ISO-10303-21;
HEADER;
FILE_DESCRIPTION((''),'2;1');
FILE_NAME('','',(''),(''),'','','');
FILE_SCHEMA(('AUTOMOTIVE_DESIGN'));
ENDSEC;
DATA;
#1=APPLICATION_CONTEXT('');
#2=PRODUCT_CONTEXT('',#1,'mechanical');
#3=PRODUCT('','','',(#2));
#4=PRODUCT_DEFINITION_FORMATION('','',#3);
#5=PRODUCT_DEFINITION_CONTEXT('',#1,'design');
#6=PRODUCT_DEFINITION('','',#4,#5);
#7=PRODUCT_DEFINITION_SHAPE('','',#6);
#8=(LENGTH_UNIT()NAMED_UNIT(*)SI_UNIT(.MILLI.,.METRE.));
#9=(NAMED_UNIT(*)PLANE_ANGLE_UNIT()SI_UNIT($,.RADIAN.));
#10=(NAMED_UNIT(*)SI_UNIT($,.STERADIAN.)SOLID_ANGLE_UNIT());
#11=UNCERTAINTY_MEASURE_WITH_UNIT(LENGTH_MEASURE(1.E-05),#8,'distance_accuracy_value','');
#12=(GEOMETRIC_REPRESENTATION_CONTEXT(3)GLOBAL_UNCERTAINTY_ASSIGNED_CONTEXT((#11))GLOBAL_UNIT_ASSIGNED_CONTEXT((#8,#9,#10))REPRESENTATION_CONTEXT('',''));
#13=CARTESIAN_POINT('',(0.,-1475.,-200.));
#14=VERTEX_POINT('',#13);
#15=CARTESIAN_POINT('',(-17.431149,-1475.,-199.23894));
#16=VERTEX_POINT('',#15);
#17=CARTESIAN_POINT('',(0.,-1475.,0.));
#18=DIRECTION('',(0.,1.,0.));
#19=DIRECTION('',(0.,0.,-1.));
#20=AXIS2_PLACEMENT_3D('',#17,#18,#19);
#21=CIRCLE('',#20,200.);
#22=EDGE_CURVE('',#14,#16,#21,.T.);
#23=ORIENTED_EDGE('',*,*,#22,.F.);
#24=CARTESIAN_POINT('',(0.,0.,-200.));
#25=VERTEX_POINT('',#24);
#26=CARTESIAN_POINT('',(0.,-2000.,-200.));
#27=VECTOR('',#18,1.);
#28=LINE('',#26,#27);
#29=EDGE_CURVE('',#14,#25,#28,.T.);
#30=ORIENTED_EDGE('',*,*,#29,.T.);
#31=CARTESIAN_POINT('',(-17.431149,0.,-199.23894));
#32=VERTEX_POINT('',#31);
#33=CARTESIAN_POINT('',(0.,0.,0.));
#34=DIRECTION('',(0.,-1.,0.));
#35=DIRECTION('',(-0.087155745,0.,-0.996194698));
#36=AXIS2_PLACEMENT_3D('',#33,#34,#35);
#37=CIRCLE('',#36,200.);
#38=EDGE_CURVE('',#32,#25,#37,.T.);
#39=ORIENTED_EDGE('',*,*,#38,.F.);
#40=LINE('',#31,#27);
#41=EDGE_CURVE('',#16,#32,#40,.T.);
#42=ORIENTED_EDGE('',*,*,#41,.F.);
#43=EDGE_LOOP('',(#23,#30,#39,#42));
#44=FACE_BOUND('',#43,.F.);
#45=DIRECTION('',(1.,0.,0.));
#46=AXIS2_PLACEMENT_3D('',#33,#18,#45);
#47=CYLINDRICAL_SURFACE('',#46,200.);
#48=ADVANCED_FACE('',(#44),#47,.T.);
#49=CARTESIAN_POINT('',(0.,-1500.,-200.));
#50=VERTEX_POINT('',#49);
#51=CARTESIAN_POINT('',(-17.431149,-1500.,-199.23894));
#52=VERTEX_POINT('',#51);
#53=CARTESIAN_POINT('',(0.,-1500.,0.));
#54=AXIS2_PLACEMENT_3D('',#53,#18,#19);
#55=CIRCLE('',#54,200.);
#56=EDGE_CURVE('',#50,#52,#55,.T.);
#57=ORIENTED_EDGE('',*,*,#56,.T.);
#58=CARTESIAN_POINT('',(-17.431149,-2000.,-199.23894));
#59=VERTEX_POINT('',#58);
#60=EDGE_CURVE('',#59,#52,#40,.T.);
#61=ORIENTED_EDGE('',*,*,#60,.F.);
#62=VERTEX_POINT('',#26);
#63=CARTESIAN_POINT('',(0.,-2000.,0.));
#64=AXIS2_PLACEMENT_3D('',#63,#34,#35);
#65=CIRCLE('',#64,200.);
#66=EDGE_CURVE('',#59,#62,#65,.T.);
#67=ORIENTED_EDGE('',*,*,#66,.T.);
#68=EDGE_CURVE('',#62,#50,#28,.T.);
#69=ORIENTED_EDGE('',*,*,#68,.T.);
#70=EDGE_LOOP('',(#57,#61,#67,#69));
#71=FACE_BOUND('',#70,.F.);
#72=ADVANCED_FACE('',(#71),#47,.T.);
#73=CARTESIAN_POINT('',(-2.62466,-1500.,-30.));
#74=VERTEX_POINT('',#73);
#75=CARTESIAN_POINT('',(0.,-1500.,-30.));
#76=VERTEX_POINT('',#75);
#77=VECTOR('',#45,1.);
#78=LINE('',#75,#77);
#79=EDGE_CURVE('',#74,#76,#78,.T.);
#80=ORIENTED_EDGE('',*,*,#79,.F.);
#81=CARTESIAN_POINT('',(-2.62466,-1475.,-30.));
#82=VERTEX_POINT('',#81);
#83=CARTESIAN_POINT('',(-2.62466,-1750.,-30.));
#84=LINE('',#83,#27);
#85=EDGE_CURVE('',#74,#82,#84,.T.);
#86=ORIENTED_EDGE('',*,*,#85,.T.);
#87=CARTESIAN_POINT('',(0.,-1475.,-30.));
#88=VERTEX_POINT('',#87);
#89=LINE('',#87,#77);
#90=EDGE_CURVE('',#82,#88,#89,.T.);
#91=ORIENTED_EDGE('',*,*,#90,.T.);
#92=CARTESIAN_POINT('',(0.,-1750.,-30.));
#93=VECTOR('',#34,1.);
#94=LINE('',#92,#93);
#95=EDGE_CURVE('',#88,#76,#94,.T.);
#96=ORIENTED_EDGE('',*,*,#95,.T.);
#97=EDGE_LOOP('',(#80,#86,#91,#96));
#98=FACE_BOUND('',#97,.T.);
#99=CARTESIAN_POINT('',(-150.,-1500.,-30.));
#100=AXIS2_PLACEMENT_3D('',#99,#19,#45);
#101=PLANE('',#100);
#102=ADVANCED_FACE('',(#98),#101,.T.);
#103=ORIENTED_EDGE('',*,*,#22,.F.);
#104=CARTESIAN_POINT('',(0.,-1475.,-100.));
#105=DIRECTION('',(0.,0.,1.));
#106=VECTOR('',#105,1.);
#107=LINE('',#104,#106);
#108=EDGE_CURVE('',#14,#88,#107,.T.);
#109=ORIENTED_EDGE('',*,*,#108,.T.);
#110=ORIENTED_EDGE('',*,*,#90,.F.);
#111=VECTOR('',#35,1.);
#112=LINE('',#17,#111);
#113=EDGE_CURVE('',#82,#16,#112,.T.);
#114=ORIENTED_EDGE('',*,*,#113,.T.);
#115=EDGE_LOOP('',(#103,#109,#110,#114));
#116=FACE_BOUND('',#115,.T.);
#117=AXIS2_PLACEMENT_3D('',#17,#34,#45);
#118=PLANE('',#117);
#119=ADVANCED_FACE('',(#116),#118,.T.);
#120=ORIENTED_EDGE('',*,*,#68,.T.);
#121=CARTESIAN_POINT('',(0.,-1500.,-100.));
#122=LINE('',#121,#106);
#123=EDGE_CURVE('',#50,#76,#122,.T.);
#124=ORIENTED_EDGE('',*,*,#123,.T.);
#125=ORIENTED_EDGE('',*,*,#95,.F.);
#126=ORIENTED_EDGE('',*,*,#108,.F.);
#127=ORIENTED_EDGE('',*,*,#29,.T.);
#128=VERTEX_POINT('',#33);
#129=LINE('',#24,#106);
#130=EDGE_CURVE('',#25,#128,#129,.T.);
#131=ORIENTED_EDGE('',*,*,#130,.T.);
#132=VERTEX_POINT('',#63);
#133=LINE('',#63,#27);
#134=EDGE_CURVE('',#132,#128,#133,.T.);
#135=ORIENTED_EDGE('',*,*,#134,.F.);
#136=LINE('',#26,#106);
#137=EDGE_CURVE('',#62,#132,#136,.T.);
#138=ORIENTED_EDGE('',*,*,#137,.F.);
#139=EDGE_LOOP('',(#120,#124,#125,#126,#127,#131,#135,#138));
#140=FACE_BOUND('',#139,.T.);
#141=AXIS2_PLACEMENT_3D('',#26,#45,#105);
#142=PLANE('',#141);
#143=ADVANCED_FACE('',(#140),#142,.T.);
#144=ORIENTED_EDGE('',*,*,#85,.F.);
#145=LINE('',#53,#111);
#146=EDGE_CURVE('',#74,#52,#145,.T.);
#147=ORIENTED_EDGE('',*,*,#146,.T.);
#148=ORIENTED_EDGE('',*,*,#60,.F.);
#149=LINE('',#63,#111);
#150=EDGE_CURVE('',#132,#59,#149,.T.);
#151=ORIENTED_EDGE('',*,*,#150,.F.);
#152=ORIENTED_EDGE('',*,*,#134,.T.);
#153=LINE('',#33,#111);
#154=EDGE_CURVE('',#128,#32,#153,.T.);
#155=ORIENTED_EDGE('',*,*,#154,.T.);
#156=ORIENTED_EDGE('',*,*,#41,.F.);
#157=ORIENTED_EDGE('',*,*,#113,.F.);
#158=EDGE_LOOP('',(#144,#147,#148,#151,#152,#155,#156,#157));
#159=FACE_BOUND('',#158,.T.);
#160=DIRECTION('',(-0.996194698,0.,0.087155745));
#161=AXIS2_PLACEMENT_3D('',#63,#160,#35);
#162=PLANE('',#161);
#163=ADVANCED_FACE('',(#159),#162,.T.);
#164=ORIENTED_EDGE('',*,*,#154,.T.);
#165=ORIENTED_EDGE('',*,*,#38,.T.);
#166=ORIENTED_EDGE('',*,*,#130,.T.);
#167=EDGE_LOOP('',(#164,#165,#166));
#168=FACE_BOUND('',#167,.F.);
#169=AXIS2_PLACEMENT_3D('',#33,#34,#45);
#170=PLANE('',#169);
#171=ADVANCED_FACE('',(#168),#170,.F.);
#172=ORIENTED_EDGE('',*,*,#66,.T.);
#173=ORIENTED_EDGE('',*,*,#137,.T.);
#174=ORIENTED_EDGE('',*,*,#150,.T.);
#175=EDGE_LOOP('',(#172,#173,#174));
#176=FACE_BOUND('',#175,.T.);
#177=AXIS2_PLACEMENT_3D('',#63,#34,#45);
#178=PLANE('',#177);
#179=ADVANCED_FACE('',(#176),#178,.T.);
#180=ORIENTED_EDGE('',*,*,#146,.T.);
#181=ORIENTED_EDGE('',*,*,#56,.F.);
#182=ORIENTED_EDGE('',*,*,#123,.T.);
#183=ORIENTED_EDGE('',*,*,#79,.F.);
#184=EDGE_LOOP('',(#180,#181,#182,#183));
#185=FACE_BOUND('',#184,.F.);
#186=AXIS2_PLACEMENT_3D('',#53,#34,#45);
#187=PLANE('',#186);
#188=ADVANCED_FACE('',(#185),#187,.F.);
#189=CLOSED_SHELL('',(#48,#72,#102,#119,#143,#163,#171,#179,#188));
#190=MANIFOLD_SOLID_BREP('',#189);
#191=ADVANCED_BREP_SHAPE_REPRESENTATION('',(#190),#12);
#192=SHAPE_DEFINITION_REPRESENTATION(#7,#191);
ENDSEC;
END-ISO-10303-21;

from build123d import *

# Parameters (mm, degrees)
F0_R     = 200
F1_DEPTH = 2000
F3_R     = 377.245837
F3_W     = 300
F3_H     = 60
F4_DEPTH = 25
F6_DEPTH = 2000


with BuildPart() as f1:
    # F0 (on Front) → F1 (new body)
    with BuildSketch(Plane.XZ):
        Circle(F0_R)
    extrude(amount=F1_DEPTH)

    # F3 (on offset) → F4 (cut)
    with BuildSketch(Plane.XZ.offset(1500)):
        Circle(F3_R)
        Rectangle(F3_W, F3_H, mode=Mode.SUBTRACT)
    extrude(amount=-F4_DEPTH, mode=Mode.SUBTRACT)

    # F5 (on face) → F6 (intersect)
    with BuildSketch(Plane.XZ.offset(2000)):
        with BuildLine():
            Line((0, -200), (0, 0))
            Line((0, 0), (-17.431149, -199.23894))
            ThreePointArc((-17.431149, -199.23894), (-8.723877, -199.809644), (0, -200))
        make_face()
    extrude(amount=-F6_DEPTH, mode=Mode.INTERSECT)


solid = f1.part
